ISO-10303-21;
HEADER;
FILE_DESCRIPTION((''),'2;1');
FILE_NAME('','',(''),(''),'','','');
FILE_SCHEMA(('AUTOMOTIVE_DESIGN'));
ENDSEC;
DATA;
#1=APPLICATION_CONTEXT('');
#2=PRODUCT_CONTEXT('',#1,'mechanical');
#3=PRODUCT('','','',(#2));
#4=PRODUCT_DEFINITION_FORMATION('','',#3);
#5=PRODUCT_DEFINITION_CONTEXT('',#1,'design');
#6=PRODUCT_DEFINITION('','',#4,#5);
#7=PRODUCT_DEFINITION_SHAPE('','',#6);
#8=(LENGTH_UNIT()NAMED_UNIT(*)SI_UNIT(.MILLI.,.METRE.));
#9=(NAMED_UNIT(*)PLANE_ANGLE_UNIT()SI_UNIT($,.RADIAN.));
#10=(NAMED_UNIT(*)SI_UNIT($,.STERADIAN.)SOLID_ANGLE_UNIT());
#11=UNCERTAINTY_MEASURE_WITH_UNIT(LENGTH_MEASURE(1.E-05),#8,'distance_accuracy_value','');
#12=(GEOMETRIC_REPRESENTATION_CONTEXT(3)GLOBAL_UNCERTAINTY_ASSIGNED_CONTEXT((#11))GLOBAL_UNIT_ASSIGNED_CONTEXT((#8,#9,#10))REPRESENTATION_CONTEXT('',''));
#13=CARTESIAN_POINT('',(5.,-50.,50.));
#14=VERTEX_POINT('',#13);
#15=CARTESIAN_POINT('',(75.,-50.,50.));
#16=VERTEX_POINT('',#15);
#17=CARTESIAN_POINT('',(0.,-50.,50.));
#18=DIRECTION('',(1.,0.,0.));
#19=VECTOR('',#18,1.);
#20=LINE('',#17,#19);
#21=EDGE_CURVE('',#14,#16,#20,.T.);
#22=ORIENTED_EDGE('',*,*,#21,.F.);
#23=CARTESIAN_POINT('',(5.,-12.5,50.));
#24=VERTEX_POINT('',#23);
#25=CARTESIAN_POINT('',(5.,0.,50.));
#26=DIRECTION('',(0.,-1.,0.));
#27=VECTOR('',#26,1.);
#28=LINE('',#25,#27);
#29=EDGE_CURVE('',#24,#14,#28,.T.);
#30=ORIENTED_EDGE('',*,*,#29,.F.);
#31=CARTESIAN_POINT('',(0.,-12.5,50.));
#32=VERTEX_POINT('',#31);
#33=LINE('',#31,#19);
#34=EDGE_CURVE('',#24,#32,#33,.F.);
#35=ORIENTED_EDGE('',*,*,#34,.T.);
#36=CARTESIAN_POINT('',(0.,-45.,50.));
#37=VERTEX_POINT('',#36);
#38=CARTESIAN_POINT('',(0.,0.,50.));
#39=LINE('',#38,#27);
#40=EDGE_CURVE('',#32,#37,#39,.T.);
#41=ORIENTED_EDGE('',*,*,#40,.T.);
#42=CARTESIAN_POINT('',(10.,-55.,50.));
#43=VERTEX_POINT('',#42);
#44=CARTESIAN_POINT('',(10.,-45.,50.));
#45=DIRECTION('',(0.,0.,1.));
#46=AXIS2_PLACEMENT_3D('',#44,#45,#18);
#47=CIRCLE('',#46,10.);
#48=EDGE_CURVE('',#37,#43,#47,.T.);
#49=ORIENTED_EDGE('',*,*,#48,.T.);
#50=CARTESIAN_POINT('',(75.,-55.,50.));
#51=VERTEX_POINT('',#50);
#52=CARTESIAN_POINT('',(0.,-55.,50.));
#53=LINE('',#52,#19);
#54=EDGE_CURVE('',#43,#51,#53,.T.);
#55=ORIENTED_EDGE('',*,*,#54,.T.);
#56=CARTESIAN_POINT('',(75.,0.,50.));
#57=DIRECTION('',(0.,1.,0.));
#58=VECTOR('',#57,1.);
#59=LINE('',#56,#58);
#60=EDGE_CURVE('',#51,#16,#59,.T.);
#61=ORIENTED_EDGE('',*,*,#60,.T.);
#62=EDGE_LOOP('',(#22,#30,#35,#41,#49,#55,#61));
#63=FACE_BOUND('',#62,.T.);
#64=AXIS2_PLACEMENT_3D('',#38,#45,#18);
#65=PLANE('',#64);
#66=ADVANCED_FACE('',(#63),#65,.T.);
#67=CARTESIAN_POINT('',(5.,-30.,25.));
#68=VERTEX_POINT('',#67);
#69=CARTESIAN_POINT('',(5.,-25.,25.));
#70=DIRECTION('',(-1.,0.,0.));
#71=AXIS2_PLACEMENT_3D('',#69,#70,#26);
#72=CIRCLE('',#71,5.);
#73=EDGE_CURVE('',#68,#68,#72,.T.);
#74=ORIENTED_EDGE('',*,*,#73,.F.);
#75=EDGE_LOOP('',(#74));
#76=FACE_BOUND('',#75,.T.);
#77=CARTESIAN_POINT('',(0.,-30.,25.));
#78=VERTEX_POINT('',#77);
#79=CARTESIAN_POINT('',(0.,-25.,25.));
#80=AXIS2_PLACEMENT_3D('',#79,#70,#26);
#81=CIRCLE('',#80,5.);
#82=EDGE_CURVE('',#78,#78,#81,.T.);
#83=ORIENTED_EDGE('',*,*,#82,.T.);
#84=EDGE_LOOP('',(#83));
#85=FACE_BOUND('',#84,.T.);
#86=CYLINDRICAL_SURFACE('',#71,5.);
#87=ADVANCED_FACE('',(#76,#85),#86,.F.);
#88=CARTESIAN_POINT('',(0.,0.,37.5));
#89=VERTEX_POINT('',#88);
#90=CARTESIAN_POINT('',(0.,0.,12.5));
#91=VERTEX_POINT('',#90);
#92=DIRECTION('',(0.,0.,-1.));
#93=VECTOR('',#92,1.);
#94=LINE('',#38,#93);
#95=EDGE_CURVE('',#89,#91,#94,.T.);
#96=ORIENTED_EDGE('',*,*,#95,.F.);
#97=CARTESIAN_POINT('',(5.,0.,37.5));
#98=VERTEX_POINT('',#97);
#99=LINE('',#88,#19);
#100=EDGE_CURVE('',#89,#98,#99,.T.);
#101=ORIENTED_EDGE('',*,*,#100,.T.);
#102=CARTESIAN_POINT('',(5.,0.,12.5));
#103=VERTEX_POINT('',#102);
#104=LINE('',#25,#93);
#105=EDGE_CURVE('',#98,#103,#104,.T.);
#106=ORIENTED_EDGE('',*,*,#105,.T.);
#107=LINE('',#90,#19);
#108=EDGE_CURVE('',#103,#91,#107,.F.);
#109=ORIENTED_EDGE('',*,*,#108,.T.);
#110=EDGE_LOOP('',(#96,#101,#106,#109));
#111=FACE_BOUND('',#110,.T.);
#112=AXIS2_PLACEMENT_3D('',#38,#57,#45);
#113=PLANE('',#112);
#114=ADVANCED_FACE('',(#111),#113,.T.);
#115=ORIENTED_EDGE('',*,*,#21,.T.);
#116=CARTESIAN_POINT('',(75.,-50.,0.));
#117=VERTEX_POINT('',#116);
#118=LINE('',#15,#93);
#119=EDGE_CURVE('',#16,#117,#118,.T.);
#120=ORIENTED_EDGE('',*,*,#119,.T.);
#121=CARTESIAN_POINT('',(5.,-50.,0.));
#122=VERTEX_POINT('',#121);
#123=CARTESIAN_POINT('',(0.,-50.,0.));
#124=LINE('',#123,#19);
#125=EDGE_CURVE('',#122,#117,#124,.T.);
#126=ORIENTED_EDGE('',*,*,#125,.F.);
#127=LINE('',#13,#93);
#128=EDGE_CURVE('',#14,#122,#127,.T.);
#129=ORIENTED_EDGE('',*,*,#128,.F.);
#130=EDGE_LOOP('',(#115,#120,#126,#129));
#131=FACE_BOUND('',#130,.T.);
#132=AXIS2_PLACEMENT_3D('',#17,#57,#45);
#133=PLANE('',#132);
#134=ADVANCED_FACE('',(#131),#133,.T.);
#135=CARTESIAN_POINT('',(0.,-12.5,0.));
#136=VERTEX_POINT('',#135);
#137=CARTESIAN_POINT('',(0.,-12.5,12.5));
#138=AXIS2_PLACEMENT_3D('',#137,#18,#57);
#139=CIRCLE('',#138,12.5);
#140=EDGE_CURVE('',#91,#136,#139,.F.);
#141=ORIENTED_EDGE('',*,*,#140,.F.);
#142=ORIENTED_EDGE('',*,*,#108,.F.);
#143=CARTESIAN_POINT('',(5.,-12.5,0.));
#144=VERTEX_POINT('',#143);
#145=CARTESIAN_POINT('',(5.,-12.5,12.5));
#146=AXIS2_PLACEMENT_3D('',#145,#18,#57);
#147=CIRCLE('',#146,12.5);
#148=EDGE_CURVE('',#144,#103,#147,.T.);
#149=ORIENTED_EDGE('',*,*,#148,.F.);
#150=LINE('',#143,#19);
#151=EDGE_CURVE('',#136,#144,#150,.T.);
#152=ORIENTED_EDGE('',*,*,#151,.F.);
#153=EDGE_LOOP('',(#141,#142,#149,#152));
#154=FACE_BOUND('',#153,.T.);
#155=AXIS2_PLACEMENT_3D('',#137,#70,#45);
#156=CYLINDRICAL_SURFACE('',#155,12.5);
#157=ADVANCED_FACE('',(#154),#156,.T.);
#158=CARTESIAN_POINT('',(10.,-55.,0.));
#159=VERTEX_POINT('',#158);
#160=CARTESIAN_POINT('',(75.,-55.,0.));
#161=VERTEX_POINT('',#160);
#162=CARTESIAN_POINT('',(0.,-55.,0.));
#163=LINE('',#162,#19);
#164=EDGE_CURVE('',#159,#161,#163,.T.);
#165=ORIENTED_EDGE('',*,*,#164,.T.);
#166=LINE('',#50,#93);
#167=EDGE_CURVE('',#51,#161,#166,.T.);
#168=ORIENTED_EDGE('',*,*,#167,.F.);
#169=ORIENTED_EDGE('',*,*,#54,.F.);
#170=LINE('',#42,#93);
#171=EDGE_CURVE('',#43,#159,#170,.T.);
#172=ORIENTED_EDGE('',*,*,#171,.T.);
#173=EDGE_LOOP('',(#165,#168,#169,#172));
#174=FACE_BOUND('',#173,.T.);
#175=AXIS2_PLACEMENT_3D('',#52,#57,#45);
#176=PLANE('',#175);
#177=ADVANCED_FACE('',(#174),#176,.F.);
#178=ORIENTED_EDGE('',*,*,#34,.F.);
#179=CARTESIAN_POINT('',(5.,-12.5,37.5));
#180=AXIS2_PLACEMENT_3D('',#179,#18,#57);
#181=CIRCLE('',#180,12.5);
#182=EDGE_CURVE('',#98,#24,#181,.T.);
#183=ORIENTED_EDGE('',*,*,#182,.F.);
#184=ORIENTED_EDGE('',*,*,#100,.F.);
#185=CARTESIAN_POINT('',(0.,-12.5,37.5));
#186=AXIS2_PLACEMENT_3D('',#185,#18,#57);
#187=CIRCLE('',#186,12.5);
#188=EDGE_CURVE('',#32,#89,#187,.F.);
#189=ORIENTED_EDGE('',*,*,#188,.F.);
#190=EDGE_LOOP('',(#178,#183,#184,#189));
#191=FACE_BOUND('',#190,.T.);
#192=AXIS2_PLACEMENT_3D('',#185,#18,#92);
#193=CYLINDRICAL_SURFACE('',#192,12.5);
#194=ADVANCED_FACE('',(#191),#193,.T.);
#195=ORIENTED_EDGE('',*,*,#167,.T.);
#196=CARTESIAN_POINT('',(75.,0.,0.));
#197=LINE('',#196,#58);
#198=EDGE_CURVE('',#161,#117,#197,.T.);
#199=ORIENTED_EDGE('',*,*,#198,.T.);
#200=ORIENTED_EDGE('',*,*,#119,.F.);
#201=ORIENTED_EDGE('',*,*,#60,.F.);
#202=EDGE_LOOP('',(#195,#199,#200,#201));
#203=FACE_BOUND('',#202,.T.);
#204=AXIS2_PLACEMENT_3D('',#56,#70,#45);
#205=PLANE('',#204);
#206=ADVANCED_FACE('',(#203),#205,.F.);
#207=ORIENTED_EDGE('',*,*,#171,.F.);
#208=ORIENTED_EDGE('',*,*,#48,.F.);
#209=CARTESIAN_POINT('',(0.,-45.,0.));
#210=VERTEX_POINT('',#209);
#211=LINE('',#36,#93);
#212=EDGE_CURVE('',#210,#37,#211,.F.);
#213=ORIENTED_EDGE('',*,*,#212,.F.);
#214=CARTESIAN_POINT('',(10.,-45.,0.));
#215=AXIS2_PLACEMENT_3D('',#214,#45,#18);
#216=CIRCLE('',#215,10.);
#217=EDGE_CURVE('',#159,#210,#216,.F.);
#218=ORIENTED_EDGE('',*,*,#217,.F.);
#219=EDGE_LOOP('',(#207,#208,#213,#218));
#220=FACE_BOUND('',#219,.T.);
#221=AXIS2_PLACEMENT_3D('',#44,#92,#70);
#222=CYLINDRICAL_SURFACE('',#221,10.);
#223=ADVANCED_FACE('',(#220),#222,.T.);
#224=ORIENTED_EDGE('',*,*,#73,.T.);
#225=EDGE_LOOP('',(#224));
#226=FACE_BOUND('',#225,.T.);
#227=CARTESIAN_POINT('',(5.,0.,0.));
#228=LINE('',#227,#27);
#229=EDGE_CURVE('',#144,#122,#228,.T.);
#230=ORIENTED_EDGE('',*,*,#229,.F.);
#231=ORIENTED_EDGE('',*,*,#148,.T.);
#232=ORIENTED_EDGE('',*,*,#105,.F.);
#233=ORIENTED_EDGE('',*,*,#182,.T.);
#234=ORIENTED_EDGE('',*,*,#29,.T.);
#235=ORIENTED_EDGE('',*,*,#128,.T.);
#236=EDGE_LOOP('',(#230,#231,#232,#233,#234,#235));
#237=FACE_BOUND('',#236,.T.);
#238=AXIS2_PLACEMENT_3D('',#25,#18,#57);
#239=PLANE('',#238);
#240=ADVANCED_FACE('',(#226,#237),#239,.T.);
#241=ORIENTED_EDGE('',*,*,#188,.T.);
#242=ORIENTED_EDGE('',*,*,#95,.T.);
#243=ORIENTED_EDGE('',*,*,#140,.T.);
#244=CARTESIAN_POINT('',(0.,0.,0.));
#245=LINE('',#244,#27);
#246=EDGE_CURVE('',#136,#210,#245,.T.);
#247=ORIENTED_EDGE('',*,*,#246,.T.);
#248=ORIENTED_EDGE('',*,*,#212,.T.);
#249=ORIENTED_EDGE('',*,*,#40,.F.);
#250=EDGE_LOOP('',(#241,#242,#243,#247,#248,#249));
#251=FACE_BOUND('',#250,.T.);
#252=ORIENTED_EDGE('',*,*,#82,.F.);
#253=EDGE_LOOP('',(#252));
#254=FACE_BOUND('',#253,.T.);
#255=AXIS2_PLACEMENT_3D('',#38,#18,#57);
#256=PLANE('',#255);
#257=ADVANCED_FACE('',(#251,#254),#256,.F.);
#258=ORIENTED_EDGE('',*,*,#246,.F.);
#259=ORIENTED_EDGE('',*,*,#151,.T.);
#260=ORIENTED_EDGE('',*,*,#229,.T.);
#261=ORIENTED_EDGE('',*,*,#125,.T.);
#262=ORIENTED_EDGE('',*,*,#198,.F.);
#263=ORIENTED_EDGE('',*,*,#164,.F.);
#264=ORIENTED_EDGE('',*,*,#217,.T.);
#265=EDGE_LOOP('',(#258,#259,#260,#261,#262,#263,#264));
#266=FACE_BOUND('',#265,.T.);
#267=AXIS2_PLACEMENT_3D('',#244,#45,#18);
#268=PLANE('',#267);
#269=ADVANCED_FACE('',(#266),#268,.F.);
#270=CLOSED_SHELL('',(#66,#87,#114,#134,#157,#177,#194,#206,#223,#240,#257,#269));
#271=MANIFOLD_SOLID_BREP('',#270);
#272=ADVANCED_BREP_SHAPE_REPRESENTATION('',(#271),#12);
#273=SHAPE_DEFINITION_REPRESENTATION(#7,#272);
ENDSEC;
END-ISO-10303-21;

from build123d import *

# Parameters (mm, degrees)
SKETCH1_W           = 5
SKETCH1_H           = 50
SKETCH1_W_2         = 70
SKETCH1_H_2         = 5
BOSS_EXTRUDE1_DEPTH = 50
SKETCH2_R           = 5
CUT_EXTRUDE1_DEPTH  = 5
FILLET1_R           = 10
FILLET2_R           = 12.5


with BuildPart() as part:
    # Sketch1 → Boss-Extrude1 (new body)
    with BuildSketch(Plane.XY):
        with Locations((2.5, -25)):
            Rectangle(SKETCH1_W, SKETCH1_H)
        with Locations((40, -52.5)):
            Rectangle(SKETCH1_W_2, SKETCH1_H_2)
        with Locations((2.5, -52.5)):
            Rectangle(SKETCH1_W, SKETCH1_H_2)
    extrude(amount=BOSS_EXTRUDE1_DEPTH)

    # Sketch2 → Cut-Extrude1 (cut)
    with BuildSketch(Plane.ZY):
        with Locations(Location((25, -25, 0), (0, 0, 270))):
            Circle(SKETCH2_R)
    extrude(amount=-CUT_EXTRUDE1_DEPTH, mode=Mode.SUBTRACT)

    # Fillet1
    fillet1_edges = [part.edges().sort_by_distance(p)[0] for p in [
        (0, -55, 25),
    ]]
    fillet(fillet1_edges, radius=FILLET1_R)

    # Fillet2
    fillet2_edges = [part.edges().sort_by_distance(p)[0] for p in [
        (2.5, 0, 50),
        (2.5, 0, 0),
    ]]
    fillet(fillet2_edges, radius=FILLET2_R)


solid = part.part
